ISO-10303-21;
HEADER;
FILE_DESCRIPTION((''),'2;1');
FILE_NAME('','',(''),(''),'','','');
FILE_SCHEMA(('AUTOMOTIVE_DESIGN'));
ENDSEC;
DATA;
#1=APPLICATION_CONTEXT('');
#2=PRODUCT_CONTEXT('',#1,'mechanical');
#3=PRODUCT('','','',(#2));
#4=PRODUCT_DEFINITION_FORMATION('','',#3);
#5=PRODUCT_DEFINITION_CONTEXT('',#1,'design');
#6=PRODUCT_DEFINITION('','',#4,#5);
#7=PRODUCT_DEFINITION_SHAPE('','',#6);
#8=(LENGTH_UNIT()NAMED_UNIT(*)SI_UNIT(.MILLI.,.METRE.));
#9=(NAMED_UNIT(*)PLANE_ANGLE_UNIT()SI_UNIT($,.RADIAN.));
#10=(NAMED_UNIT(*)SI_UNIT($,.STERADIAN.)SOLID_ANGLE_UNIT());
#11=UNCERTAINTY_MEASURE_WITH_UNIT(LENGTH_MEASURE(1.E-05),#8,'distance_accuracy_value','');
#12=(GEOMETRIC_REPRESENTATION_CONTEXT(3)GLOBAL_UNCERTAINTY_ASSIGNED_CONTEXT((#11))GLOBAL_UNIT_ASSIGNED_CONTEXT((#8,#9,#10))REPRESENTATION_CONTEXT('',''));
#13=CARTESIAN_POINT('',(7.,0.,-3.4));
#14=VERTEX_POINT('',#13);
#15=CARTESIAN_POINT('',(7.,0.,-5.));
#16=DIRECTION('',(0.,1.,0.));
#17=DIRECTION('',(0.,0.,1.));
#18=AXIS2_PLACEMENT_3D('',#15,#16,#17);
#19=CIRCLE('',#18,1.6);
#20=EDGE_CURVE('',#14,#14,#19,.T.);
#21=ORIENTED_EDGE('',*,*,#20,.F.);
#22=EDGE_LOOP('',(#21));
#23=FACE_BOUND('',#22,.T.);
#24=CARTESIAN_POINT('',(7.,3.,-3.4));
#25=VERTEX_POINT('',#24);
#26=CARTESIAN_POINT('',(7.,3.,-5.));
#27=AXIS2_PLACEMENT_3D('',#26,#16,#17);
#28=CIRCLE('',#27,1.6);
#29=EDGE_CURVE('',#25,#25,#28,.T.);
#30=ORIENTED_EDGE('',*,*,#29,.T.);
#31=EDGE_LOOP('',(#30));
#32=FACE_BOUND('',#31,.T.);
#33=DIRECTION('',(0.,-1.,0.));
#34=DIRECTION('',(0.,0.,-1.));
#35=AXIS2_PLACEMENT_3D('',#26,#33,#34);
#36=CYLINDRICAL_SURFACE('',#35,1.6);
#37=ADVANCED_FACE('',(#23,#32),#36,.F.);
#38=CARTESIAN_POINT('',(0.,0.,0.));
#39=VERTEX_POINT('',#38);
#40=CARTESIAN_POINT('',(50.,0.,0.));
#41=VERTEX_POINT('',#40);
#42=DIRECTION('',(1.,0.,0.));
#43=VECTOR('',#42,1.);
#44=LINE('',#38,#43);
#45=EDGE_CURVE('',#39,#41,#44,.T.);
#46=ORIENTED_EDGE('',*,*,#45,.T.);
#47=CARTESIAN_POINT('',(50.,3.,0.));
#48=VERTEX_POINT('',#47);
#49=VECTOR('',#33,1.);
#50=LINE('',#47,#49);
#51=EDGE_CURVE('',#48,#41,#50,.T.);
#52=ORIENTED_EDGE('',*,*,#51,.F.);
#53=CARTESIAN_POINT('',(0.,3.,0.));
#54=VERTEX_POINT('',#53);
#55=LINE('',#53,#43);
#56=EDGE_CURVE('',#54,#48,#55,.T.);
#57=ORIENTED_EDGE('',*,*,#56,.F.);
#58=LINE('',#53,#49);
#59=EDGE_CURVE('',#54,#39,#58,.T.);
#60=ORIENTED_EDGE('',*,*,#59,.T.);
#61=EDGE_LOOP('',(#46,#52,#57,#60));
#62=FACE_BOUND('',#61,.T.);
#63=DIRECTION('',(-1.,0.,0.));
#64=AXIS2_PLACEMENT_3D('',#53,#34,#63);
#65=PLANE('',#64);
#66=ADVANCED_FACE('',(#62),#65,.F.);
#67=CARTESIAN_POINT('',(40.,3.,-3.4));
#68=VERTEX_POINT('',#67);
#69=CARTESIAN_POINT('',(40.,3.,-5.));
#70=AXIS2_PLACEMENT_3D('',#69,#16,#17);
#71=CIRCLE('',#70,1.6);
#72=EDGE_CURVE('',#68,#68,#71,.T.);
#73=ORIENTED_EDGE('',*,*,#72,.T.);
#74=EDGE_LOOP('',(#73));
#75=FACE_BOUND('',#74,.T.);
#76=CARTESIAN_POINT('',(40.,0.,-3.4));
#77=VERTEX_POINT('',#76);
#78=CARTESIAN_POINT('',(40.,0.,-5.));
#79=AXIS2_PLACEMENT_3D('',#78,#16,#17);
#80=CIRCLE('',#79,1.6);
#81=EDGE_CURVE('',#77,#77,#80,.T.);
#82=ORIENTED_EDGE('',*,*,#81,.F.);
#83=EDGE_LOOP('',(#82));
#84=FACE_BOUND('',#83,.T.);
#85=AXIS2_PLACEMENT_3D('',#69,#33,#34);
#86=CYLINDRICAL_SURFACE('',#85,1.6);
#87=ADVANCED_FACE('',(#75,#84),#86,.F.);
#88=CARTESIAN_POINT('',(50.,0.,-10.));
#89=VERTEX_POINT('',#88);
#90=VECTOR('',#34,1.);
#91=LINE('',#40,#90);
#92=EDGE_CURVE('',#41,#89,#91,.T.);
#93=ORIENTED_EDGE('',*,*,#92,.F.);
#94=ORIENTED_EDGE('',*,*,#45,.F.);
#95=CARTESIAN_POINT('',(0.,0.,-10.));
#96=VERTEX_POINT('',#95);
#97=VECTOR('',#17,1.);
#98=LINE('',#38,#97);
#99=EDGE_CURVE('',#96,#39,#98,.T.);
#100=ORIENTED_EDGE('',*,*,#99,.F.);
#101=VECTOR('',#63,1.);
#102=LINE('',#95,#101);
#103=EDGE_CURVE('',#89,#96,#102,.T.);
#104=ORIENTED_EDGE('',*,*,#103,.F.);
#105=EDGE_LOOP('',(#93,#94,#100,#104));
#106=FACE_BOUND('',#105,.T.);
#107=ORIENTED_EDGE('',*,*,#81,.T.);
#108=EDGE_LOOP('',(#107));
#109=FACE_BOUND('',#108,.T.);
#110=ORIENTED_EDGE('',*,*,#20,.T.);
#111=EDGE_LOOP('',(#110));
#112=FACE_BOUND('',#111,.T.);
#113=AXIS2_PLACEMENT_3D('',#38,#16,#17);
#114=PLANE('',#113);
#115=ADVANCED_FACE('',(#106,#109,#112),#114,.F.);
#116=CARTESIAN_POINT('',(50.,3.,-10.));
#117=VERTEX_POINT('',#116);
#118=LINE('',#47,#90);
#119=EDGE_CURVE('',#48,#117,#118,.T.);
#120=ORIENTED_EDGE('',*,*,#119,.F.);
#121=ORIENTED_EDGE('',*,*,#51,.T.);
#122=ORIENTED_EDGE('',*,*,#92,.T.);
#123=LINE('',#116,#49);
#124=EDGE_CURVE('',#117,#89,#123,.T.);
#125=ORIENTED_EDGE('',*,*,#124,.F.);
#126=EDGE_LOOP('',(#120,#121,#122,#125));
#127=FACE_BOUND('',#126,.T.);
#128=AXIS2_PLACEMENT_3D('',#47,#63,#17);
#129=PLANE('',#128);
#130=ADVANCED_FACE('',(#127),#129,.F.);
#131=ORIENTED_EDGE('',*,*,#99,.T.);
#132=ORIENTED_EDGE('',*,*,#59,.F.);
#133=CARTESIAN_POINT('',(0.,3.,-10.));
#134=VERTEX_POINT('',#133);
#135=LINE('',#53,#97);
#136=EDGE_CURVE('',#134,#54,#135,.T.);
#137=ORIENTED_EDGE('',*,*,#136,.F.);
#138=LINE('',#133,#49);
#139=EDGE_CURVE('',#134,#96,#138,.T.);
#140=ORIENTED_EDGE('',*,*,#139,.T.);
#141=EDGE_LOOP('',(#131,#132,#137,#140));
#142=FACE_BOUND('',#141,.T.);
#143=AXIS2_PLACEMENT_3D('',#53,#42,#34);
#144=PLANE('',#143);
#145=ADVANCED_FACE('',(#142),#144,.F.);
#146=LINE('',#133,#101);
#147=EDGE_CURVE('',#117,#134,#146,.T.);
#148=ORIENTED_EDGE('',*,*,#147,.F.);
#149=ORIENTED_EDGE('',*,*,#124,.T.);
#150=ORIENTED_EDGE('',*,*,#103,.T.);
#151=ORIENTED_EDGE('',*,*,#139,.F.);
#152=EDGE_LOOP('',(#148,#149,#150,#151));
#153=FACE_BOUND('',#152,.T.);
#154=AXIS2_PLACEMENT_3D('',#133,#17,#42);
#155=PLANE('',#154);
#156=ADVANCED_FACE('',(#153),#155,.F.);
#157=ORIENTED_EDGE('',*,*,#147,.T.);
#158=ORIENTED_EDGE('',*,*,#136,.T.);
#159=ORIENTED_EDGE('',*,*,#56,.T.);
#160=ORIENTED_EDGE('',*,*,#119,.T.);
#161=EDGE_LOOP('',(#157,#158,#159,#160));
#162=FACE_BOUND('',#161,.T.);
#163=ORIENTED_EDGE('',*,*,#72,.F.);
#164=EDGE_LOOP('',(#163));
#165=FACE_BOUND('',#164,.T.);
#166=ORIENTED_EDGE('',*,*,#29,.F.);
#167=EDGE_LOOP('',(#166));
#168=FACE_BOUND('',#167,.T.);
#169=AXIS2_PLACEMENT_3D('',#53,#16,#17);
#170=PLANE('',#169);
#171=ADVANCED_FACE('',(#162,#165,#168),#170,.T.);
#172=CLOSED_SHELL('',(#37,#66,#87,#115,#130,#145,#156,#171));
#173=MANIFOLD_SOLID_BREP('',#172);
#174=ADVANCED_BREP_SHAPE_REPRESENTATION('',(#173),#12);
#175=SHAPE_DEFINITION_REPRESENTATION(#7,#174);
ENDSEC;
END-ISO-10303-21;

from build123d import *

# Parameters (mm, degrees)
SKETCH1_W           = 50
SKETCH1_H           = 10
SKETCH1_R           = 1.6
BOSS_EXTRUDE1_DEPTH = 3


with BuildPart() as part:
    # Sketch1 → Boss-Extrude1 (new body)
    with BuildSketch(Plane(origin=(0, 0, 0), x_dir=(1, 0, 0), z_dir=(0, 1, 0))):
        with Locations((25, 5)):
            Rectangle(SKETCH1_W, SKETCH1_H)
        with Locations((7, 5)):
            Circle(SKETCH1_R, mode=Mode.SUBTRACT)
        with Locations((40, 5)):
            Circle(SKETCH1_R, mode=Mode.SUBTRACT)
    extrude(amount=BOSS_EXTRUDE1_DEPTH)


solid = part.part
